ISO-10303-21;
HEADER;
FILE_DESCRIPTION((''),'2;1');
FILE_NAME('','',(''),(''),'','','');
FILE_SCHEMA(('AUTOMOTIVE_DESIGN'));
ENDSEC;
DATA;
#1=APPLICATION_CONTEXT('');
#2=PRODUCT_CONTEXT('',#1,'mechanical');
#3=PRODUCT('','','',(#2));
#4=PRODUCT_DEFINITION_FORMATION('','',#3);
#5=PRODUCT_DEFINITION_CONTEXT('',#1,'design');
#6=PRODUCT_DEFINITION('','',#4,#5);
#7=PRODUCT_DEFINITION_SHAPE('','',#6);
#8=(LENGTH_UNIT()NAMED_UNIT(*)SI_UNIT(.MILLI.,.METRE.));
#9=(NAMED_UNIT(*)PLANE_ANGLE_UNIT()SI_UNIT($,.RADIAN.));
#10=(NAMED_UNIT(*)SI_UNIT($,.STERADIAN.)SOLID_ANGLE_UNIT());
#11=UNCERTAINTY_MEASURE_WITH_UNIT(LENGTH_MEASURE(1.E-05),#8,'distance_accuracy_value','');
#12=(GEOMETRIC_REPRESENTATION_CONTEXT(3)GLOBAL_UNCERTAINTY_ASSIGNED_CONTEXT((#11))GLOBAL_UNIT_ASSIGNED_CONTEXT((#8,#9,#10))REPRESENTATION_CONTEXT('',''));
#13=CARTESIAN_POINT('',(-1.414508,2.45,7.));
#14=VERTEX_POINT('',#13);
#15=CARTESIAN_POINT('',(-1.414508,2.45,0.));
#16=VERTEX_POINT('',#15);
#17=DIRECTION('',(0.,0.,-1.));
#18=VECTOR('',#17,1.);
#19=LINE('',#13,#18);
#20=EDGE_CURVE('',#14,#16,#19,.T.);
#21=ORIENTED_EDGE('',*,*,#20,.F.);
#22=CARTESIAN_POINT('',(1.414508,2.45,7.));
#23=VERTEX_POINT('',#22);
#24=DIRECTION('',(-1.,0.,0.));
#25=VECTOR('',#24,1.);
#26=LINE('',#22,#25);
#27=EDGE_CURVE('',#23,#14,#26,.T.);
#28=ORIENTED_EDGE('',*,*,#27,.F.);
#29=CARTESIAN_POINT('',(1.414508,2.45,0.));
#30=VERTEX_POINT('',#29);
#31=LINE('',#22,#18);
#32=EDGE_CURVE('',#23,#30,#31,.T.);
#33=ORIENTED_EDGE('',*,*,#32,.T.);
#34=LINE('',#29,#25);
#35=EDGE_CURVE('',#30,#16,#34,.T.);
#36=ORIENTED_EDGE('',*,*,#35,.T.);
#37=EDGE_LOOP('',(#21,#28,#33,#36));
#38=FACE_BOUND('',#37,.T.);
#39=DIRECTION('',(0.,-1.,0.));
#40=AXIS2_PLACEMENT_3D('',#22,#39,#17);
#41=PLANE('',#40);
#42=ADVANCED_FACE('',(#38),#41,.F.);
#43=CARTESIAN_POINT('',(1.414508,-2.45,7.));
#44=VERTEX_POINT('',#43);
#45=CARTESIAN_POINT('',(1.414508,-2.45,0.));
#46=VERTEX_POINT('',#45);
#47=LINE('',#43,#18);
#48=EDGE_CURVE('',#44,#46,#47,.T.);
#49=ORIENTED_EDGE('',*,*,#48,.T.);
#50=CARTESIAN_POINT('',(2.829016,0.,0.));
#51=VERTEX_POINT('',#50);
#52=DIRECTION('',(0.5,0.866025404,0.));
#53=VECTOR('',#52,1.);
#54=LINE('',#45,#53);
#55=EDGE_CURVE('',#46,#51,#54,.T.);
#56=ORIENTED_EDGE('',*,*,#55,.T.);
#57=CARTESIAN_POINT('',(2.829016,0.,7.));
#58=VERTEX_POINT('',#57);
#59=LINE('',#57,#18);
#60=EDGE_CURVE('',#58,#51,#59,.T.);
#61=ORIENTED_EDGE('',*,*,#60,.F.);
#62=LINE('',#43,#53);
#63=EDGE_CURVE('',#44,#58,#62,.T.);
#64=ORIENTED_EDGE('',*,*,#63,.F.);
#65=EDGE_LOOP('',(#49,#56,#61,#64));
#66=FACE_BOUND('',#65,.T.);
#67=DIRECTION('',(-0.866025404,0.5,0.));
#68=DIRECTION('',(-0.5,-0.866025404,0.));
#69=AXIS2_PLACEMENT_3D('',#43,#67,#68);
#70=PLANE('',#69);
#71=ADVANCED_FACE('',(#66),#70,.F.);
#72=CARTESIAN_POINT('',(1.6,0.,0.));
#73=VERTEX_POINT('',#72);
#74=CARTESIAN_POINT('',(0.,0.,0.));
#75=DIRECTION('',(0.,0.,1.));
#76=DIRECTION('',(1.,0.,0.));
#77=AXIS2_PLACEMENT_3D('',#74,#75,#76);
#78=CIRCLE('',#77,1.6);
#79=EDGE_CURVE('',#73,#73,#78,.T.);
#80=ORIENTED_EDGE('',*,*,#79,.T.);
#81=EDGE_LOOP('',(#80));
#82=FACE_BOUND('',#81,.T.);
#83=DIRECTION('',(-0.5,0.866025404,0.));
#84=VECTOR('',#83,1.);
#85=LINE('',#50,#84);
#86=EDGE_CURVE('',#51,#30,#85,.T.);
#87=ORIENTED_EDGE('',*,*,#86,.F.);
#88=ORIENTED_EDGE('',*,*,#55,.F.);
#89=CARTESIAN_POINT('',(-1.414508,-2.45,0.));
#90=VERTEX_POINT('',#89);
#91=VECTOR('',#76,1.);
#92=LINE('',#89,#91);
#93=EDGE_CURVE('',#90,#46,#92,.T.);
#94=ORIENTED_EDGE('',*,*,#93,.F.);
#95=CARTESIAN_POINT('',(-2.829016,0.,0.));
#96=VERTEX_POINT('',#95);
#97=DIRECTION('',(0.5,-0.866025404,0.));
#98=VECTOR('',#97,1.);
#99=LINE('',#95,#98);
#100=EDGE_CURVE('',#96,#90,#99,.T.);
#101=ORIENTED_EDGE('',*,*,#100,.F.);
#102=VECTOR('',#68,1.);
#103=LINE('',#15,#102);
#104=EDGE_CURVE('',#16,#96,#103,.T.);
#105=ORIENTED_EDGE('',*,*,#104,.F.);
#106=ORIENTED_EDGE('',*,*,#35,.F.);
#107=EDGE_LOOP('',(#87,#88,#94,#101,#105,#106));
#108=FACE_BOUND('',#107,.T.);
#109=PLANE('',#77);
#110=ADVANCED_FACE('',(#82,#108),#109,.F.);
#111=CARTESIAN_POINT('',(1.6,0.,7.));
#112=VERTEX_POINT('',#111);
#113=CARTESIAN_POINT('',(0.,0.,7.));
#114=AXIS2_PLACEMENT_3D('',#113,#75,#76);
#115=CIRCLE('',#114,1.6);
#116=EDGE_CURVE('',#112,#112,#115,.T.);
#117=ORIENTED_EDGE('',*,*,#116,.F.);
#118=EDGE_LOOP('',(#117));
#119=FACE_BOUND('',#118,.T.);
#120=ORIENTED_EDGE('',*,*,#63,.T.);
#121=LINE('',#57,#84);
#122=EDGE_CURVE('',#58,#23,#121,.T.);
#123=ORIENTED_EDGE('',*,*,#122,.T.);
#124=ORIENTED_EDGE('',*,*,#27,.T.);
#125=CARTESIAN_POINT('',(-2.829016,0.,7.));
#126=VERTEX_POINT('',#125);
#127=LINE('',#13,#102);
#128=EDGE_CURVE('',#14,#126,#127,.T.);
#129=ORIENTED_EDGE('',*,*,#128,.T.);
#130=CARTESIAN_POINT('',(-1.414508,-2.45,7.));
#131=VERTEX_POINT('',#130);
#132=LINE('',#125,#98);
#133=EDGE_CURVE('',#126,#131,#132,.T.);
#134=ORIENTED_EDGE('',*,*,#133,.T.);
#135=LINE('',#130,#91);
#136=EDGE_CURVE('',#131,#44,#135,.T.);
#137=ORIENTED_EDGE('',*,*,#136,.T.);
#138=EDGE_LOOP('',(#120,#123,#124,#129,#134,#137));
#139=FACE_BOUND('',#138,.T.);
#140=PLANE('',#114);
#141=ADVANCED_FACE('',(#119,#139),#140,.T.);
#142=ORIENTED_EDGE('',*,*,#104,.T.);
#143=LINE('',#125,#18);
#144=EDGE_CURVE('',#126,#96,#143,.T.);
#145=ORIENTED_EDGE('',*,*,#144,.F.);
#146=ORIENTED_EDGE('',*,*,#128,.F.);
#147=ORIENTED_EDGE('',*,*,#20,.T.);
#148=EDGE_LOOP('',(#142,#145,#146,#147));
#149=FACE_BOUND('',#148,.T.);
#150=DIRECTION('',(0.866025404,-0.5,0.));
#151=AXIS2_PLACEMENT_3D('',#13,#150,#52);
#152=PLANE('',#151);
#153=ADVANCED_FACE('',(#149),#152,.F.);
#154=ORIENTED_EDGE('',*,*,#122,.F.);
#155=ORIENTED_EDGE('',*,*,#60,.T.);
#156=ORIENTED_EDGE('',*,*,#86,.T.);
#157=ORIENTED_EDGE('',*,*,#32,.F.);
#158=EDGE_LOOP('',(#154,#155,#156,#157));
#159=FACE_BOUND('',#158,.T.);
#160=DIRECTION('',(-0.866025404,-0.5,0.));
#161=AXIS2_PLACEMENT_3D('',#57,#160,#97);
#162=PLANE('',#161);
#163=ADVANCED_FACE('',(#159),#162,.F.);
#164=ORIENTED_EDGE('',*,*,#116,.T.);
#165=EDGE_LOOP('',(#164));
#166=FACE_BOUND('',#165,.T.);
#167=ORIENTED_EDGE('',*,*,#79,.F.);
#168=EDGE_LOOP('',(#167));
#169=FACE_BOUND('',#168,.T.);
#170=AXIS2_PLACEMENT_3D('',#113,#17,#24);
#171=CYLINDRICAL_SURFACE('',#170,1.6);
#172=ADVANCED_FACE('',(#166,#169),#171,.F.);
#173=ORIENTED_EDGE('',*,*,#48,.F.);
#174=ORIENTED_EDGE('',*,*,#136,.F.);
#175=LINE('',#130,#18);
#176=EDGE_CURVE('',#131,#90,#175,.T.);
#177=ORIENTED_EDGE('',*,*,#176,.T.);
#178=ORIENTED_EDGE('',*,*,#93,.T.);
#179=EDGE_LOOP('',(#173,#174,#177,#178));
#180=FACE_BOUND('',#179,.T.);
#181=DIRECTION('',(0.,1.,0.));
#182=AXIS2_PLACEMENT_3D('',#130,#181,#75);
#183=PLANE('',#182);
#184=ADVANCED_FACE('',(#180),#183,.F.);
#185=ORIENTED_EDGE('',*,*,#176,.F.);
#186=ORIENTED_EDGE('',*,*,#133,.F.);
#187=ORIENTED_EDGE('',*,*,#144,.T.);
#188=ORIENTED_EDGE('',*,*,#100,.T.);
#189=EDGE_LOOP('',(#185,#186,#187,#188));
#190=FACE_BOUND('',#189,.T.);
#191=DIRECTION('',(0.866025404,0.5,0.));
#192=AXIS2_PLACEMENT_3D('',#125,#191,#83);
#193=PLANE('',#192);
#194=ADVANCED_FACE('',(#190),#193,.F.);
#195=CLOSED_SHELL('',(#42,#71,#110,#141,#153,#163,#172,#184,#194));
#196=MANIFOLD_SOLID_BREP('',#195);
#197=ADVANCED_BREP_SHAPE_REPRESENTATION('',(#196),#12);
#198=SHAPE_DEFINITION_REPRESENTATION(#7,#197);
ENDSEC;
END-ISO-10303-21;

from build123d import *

# Parameters (mm, degrees)
SKETCH_1_R      = 1.6
EXTRUDE_1_DEPTH = 7


with BuildPart() as part:
    # 草图1 → 凸台-拉伸1 (new body)
    with BuildSketch(Plane.XY):
        Polygon((2.829016319, 0), (1.41450816, 2.45), (-1.41450816, 2.45), (-2.829016319, 0), (-1.41450816, -2.45), (1.41450816, -2.45), align=None)
        Circle(SKETCH_1_R, mode=Mode.SUBTRACT)
    extrude(amount=EXTRUDE_1_DEPTH)


solid = part.part
